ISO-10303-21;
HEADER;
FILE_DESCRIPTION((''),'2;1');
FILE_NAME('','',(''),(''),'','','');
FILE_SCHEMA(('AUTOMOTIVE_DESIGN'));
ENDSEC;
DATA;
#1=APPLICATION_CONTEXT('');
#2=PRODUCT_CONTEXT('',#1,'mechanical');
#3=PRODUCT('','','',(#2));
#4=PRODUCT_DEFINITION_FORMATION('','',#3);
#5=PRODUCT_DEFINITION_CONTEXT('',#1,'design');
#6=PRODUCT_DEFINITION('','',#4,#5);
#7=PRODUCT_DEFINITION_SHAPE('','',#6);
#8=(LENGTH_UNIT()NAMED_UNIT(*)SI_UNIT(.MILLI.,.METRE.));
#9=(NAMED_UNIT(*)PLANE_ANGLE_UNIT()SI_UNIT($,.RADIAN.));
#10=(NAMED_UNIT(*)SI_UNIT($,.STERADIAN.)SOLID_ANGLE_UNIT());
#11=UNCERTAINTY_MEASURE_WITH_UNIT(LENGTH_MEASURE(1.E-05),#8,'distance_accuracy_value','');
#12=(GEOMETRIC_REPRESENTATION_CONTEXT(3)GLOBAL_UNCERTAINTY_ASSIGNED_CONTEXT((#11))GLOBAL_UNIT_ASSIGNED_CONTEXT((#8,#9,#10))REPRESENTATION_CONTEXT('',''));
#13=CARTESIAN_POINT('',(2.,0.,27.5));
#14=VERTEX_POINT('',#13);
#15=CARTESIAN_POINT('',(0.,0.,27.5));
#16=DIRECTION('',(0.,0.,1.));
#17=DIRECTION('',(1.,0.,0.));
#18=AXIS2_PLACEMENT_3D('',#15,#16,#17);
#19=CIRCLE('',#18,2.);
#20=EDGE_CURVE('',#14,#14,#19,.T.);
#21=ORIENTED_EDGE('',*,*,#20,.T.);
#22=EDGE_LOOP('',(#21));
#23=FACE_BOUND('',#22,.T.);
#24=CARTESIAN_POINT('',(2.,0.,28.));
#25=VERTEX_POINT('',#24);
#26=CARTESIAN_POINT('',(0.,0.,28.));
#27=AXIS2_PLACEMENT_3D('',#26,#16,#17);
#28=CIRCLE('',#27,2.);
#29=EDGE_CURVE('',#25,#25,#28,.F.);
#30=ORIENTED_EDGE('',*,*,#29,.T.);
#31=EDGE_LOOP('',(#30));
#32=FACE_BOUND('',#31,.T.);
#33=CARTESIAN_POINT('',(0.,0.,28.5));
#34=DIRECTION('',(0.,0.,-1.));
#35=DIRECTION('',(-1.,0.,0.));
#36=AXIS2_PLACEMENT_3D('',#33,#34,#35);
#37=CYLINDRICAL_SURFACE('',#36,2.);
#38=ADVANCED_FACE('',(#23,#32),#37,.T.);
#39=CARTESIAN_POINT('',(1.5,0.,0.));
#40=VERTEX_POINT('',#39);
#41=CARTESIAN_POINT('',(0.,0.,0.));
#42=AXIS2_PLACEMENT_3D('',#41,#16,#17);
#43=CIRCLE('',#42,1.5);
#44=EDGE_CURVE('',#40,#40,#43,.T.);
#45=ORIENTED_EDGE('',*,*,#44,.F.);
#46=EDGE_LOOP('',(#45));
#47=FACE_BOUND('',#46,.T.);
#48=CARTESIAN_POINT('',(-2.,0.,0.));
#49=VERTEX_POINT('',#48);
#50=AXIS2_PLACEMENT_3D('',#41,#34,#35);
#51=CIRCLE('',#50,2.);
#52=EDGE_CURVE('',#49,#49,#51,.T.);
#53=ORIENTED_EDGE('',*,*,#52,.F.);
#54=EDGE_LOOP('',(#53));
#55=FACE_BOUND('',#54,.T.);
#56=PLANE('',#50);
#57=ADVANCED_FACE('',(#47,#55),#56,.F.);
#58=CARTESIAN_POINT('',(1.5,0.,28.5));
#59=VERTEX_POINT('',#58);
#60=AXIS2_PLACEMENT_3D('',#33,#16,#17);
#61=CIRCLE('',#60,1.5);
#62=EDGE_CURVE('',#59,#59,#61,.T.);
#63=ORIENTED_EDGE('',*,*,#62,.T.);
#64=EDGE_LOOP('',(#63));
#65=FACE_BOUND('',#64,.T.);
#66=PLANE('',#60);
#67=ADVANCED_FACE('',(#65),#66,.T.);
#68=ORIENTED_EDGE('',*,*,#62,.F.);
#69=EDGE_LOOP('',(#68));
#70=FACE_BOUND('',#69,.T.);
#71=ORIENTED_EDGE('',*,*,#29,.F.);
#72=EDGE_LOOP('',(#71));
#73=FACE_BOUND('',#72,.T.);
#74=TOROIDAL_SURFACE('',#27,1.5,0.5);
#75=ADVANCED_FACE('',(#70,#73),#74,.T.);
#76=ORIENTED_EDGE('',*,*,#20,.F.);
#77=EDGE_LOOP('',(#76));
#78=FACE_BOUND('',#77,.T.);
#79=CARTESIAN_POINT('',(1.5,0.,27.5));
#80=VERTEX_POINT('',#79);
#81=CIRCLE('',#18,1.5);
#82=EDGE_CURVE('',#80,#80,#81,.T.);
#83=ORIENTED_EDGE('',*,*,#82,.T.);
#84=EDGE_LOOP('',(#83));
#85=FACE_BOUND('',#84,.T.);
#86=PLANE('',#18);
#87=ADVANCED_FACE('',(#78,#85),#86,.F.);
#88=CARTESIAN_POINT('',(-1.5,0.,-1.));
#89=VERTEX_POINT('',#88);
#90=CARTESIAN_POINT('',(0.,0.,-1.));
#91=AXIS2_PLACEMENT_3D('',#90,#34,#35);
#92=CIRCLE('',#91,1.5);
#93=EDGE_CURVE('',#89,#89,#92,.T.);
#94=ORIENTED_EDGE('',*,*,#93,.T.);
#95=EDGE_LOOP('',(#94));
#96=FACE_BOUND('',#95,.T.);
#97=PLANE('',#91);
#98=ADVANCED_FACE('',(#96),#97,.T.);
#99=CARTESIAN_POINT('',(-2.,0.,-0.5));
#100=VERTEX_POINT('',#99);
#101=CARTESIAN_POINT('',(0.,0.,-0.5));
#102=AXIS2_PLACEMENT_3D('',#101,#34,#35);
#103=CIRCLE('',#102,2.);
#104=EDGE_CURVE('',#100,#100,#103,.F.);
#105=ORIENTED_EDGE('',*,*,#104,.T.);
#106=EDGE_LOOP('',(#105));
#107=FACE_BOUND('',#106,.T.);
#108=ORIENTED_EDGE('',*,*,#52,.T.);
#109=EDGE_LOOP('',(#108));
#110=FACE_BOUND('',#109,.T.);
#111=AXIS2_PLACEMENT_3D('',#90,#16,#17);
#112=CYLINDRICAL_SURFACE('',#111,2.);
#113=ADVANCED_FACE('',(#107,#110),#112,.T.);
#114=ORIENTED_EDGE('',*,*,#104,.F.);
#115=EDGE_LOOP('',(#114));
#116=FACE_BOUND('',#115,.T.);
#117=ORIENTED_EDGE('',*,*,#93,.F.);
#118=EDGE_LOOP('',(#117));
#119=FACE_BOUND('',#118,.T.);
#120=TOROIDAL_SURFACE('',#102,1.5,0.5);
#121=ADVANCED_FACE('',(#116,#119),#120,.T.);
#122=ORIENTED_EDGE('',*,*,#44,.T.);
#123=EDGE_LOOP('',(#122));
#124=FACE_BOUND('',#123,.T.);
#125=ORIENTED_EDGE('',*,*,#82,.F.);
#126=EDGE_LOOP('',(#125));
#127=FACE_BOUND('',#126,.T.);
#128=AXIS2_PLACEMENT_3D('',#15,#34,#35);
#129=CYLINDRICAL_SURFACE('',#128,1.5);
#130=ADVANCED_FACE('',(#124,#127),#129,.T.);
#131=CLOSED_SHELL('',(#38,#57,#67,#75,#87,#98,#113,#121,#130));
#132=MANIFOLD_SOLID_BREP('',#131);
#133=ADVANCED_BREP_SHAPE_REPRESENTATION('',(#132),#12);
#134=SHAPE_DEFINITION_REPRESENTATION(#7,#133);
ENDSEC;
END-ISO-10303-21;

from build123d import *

# Parameters (mm, degrees)
SKETCH1_R           = 1.5
BOSS_EXTRUDE1_DEPTH = 27.5
SKETCH2_R           = 2
BOSS_EXTRUDE2_DEPTH = 1
SKETCH3_R           = 2
BOSS_EXTRUDE3_DEPTH = 1
FILLET1_R           = 0.5


with BuildPart() as part:
    # Sketch1 → Boss-Extrude1 (new body)
    with BuildSketch(Plane.XY):
        Circle(SKETCH1_R)
    extrude(amount=BOSS_EXTRUDE1_DEPTH)

    # Sketch2 → Boss-Extrude2 (add)
    with BuildSketch(Plane(origin=(0, 0, 0), x_dir=(-1, 0, 0), z_dir=(0, 0, -1))):
        Circle(SKETCH2_R)
    extrude(amount=BOSS_EXTRUDE2_DEPTH)

    # Sketch3 → Boss-Extrude3 (add)
    with BuildSketch(Plane.XY.offset(27.5)):
        Circle(SKETCH3_R)
    extrude(amount=BOSS_EXTRUDE3_DEPTH)

    # Fillet1
    fillet1_edges = [part.edges().sort_by_distance(p)[0] for p in [
        (-2, 0, 28.5),
        (2, 0, -1),
    ]]
    fillet(fillet1_edges, radius=FILLET1_R)


solid = part.part
